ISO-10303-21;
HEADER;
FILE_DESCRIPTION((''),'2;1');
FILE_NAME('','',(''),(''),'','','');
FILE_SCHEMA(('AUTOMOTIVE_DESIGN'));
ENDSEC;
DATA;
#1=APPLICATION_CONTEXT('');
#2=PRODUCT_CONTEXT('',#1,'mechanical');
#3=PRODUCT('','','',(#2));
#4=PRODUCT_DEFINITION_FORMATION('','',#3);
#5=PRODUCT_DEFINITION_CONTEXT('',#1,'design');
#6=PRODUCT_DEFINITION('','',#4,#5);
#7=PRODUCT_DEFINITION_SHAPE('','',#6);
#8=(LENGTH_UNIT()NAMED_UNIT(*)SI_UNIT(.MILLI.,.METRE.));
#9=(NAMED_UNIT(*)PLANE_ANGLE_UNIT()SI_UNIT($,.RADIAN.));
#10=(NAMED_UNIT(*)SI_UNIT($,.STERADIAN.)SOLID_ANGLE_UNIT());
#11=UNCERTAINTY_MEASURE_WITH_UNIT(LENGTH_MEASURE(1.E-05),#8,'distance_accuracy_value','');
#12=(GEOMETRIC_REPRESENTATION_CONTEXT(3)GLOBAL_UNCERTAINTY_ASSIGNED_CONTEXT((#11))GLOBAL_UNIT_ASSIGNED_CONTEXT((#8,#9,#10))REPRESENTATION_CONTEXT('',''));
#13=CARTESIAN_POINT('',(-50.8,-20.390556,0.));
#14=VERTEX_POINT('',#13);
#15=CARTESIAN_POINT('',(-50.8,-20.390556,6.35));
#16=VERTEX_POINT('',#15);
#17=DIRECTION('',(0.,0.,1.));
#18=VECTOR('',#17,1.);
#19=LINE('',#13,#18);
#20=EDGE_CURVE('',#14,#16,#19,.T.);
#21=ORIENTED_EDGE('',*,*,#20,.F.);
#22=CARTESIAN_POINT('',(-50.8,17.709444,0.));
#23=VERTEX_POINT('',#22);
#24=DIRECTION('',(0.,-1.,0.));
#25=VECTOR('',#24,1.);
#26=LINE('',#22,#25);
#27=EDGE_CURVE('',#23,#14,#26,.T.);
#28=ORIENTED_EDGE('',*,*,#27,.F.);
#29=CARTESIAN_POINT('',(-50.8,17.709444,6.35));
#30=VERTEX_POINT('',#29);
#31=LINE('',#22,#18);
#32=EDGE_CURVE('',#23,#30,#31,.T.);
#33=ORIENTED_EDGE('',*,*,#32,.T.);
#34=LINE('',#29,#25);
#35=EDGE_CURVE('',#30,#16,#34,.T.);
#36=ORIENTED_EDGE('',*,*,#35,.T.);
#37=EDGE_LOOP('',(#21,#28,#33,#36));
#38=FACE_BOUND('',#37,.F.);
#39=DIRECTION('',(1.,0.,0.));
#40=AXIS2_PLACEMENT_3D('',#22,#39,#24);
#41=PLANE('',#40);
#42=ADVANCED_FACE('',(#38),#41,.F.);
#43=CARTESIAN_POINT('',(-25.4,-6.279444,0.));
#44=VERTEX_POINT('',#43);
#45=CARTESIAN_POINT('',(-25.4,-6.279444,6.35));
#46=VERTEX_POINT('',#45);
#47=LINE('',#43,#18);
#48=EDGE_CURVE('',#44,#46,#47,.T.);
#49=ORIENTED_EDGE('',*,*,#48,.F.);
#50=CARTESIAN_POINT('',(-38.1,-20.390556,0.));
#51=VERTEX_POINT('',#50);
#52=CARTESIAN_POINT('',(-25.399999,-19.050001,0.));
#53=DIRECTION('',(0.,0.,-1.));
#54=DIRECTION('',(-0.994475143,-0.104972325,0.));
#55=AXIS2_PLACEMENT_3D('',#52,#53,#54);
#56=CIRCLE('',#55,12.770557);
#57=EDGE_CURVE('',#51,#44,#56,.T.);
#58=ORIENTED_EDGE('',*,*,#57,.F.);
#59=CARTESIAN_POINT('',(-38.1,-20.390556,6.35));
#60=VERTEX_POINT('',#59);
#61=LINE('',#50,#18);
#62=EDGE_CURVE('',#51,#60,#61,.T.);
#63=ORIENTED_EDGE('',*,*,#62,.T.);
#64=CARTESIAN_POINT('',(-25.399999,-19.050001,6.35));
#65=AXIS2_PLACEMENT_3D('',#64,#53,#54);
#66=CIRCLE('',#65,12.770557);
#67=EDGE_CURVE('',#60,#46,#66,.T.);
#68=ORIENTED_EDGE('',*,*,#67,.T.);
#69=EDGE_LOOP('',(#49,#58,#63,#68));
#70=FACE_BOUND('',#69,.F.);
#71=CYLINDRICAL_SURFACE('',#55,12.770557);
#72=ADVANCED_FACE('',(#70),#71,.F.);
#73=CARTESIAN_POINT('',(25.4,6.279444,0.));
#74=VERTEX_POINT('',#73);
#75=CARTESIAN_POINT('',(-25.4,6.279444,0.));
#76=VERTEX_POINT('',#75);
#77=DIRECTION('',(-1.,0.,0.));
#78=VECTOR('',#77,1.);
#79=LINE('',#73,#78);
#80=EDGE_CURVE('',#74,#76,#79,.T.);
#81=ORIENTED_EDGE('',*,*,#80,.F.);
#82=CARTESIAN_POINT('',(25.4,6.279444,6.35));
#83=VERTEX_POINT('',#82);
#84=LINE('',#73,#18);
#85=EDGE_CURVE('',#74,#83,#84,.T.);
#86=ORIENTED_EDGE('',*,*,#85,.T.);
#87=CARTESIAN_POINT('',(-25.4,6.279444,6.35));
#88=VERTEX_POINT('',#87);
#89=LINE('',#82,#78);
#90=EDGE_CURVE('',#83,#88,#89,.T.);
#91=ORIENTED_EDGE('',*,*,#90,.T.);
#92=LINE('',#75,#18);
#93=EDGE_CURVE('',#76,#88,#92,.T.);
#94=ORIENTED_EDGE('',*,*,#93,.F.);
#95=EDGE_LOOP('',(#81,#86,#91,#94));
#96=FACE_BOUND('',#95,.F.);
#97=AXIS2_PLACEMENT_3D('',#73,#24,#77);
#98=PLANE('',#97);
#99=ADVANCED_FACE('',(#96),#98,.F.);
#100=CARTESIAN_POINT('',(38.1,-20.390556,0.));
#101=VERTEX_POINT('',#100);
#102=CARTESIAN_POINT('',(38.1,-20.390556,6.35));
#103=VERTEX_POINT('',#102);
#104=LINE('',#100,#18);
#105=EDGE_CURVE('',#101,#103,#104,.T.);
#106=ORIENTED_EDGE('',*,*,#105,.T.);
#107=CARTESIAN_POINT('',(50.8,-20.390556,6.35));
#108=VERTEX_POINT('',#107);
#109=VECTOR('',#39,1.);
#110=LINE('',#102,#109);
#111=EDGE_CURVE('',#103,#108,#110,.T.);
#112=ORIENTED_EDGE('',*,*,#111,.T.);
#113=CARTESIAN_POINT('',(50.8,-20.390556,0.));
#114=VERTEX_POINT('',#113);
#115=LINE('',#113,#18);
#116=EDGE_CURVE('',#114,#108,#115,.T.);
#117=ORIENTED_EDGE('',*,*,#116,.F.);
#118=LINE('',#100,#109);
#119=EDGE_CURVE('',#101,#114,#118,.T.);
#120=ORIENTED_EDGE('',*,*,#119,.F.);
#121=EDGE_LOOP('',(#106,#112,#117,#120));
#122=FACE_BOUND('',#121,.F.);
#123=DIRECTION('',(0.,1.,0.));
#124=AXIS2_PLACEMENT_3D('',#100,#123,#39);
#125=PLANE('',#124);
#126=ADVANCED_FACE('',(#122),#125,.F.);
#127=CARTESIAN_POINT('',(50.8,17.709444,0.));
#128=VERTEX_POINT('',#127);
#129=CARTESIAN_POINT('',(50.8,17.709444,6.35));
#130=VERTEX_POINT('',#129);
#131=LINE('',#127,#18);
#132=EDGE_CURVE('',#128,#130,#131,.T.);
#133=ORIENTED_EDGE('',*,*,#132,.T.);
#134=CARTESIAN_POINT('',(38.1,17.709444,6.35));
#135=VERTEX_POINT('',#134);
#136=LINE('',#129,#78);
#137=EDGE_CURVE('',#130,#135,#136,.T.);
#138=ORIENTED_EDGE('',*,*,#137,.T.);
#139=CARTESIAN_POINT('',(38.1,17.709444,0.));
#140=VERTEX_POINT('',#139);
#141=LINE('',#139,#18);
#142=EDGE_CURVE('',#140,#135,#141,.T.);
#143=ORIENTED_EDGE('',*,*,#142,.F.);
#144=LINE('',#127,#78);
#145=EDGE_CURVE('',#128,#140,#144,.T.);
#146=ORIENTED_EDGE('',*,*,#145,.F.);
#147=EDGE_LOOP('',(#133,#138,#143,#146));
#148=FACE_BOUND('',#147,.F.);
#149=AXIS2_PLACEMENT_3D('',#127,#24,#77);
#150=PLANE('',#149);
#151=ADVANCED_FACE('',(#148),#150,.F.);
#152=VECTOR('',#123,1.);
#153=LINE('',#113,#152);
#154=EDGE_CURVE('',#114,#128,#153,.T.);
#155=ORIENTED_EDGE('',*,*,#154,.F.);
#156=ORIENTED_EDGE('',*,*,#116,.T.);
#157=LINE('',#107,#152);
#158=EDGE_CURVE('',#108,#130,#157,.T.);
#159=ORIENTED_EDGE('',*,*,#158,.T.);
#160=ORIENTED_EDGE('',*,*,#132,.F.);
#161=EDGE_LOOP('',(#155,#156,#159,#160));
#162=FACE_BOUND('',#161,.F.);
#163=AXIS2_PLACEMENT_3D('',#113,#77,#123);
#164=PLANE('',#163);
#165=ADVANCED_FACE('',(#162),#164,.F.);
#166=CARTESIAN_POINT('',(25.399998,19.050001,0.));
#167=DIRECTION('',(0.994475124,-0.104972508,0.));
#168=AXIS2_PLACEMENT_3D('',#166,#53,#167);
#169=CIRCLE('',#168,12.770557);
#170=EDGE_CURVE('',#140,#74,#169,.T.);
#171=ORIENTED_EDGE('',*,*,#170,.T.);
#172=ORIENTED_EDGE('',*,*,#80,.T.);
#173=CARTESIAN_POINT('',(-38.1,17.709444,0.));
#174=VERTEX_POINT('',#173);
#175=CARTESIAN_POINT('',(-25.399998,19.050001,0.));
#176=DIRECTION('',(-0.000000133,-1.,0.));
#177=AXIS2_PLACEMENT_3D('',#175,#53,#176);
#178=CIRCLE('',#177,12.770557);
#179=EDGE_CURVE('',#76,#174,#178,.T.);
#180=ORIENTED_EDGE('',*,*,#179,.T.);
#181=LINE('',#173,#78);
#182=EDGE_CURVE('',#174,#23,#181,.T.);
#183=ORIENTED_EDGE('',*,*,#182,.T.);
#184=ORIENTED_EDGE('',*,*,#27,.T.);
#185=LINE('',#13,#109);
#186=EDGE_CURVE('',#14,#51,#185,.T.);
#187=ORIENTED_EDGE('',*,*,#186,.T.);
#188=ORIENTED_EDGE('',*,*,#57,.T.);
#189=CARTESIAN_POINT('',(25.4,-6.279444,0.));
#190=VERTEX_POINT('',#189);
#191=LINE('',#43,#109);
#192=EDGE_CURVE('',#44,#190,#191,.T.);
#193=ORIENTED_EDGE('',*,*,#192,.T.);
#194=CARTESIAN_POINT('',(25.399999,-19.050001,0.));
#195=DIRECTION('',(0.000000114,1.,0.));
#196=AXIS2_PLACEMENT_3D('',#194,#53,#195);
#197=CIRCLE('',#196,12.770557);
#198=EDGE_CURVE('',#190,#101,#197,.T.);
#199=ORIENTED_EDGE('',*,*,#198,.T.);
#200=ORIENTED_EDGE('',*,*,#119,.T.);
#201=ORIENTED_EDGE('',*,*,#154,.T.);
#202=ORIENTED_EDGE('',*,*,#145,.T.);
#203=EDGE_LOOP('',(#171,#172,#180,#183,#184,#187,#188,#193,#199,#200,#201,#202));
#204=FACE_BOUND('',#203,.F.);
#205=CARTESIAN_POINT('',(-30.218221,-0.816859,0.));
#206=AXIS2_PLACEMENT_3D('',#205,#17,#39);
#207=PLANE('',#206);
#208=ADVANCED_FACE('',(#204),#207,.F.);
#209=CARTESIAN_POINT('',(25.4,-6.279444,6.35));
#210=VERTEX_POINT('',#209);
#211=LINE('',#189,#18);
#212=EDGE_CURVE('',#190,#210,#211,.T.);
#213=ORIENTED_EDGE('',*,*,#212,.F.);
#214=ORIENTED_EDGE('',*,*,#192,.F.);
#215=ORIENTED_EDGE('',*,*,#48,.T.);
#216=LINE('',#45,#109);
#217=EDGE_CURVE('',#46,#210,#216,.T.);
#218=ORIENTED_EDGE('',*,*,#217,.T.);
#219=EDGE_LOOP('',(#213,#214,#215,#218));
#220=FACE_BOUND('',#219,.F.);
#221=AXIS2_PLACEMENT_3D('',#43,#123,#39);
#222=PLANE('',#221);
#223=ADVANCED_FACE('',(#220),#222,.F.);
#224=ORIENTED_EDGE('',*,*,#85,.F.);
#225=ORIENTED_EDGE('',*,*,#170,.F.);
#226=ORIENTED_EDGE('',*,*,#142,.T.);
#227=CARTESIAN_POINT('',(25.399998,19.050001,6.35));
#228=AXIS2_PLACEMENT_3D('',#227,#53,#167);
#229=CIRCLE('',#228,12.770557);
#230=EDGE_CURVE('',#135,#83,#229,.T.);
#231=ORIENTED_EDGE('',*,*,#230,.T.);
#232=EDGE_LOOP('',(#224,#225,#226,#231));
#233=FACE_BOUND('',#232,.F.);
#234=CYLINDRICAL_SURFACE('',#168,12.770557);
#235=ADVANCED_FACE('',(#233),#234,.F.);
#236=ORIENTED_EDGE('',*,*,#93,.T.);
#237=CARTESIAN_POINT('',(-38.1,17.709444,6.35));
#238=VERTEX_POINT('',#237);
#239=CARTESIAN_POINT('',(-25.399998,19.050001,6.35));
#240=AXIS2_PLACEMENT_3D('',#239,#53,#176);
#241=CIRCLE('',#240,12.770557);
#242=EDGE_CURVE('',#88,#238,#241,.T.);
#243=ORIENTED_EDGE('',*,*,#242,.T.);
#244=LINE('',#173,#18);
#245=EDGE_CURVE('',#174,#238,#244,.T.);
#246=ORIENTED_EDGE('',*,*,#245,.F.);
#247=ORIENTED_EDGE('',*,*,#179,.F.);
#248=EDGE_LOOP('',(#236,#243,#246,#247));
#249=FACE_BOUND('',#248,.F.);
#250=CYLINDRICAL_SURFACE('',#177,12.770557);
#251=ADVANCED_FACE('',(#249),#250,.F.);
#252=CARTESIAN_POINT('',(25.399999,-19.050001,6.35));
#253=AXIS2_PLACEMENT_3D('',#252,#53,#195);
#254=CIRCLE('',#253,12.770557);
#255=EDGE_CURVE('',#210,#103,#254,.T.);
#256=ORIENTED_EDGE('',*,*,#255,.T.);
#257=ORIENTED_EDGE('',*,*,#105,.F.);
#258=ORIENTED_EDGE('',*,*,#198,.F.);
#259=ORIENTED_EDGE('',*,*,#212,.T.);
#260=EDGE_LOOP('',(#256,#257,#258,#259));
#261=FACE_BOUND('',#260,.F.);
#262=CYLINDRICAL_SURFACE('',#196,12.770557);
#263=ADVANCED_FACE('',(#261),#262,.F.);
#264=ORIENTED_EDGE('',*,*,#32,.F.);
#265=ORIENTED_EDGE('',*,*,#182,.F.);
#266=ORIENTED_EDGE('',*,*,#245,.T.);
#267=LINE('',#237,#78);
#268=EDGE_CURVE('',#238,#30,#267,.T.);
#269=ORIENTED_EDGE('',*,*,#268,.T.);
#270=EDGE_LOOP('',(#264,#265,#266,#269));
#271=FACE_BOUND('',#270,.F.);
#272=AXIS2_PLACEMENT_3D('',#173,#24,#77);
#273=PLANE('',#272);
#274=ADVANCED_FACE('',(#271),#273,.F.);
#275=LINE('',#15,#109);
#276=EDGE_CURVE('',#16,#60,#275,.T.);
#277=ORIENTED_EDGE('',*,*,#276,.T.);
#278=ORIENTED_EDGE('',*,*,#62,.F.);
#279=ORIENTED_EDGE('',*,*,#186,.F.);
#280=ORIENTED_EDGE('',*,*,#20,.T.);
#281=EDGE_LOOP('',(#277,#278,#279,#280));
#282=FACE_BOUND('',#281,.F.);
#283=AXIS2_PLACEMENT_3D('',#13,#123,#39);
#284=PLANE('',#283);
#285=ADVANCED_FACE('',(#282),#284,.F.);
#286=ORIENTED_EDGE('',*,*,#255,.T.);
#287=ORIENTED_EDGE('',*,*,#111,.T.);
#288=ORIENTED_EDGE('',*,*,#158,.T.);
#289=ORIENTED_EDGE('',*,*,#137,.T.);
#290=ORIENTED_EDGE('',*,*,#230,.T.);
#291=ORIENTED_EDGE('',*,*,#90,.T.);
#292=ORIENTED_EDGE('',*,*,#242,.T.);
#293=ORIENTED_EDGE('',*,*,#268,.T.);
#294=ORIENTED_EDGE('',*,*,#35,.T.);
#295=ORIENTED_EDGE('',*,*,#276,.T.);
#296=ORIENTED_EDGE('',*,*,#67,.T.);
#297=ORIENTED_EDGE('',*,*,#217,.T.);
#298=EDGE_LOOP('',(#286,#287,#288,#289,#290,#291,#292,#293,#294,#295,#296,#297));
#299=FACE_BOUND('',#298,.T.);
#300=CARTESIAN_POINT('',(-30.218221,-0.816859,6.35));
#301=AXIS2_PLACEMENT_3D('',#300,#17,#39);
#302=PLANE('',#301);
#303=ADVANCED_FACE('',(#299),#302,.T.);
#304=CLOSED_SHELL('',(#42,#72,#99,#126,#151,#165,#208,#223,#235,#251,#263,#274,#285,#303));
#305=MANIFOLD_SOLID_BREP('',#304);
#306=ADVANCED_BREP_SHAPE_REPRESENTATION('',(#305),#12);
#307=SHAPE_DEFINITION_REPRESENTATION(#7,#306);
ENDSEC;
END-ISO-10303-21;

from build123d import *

# Parameters (mm, degrees)
F1_DEPTH = 6.35


with BuildPart() as f1:
    # F0 (on Top) → F1 (new body)
    with BuildSketch(Plane.XY):
        with BuildLine():
            Line((0, -6.279444), (0, 0))
            Line((0, 0), (0, 6.279444))
            Line((0, 6.279444), (-25.4, 6.279444))
            ThreePointArc((-25.4, 6.279444), (-33.943051, 9.557721), (-38.1, 17.709444))
            Line((-38.1, 17.709444), (-50.8, 17.709444))
            Line((-50.8, 17.709444), (-50.8, -20.390556))
            Line((-50.8, -20.390556), (-38.1, -20.390556))
            ThreePointArc((-38.1, -20.390556), (-34.892279, -10.506949), (-25.4, -6.279444))
            Line((-25.4, -6.279444), (0, -6.279444))
        make_face()
        with BuildLine():
            Line((0, 6.279444), (0, 0))
            Line((0, 0), (0, -6.279444))
            Line((0, -6.279444), (25.4, -6.279444))
            ThreePointArc((25.4, -6.279444), (34.892279, -10.506949), (38.1, -20.390556))
            Line((38.1, -20.390556), (50.8, -20.390556))
            Line((50.8, -20.390556), (50.8, 17.709444))
            Line((50.8, 17.709444), (38.1, 17.709444))
            ThreePointArc((38.1, 17.709444), (33.943051, 9.557721), (25.4, 6.279444))
            Line((25.4, 6.279444), (0, 6.279444))
        make_face()
    extrude(amount=F1_DEPTH)


solid = f1.part
